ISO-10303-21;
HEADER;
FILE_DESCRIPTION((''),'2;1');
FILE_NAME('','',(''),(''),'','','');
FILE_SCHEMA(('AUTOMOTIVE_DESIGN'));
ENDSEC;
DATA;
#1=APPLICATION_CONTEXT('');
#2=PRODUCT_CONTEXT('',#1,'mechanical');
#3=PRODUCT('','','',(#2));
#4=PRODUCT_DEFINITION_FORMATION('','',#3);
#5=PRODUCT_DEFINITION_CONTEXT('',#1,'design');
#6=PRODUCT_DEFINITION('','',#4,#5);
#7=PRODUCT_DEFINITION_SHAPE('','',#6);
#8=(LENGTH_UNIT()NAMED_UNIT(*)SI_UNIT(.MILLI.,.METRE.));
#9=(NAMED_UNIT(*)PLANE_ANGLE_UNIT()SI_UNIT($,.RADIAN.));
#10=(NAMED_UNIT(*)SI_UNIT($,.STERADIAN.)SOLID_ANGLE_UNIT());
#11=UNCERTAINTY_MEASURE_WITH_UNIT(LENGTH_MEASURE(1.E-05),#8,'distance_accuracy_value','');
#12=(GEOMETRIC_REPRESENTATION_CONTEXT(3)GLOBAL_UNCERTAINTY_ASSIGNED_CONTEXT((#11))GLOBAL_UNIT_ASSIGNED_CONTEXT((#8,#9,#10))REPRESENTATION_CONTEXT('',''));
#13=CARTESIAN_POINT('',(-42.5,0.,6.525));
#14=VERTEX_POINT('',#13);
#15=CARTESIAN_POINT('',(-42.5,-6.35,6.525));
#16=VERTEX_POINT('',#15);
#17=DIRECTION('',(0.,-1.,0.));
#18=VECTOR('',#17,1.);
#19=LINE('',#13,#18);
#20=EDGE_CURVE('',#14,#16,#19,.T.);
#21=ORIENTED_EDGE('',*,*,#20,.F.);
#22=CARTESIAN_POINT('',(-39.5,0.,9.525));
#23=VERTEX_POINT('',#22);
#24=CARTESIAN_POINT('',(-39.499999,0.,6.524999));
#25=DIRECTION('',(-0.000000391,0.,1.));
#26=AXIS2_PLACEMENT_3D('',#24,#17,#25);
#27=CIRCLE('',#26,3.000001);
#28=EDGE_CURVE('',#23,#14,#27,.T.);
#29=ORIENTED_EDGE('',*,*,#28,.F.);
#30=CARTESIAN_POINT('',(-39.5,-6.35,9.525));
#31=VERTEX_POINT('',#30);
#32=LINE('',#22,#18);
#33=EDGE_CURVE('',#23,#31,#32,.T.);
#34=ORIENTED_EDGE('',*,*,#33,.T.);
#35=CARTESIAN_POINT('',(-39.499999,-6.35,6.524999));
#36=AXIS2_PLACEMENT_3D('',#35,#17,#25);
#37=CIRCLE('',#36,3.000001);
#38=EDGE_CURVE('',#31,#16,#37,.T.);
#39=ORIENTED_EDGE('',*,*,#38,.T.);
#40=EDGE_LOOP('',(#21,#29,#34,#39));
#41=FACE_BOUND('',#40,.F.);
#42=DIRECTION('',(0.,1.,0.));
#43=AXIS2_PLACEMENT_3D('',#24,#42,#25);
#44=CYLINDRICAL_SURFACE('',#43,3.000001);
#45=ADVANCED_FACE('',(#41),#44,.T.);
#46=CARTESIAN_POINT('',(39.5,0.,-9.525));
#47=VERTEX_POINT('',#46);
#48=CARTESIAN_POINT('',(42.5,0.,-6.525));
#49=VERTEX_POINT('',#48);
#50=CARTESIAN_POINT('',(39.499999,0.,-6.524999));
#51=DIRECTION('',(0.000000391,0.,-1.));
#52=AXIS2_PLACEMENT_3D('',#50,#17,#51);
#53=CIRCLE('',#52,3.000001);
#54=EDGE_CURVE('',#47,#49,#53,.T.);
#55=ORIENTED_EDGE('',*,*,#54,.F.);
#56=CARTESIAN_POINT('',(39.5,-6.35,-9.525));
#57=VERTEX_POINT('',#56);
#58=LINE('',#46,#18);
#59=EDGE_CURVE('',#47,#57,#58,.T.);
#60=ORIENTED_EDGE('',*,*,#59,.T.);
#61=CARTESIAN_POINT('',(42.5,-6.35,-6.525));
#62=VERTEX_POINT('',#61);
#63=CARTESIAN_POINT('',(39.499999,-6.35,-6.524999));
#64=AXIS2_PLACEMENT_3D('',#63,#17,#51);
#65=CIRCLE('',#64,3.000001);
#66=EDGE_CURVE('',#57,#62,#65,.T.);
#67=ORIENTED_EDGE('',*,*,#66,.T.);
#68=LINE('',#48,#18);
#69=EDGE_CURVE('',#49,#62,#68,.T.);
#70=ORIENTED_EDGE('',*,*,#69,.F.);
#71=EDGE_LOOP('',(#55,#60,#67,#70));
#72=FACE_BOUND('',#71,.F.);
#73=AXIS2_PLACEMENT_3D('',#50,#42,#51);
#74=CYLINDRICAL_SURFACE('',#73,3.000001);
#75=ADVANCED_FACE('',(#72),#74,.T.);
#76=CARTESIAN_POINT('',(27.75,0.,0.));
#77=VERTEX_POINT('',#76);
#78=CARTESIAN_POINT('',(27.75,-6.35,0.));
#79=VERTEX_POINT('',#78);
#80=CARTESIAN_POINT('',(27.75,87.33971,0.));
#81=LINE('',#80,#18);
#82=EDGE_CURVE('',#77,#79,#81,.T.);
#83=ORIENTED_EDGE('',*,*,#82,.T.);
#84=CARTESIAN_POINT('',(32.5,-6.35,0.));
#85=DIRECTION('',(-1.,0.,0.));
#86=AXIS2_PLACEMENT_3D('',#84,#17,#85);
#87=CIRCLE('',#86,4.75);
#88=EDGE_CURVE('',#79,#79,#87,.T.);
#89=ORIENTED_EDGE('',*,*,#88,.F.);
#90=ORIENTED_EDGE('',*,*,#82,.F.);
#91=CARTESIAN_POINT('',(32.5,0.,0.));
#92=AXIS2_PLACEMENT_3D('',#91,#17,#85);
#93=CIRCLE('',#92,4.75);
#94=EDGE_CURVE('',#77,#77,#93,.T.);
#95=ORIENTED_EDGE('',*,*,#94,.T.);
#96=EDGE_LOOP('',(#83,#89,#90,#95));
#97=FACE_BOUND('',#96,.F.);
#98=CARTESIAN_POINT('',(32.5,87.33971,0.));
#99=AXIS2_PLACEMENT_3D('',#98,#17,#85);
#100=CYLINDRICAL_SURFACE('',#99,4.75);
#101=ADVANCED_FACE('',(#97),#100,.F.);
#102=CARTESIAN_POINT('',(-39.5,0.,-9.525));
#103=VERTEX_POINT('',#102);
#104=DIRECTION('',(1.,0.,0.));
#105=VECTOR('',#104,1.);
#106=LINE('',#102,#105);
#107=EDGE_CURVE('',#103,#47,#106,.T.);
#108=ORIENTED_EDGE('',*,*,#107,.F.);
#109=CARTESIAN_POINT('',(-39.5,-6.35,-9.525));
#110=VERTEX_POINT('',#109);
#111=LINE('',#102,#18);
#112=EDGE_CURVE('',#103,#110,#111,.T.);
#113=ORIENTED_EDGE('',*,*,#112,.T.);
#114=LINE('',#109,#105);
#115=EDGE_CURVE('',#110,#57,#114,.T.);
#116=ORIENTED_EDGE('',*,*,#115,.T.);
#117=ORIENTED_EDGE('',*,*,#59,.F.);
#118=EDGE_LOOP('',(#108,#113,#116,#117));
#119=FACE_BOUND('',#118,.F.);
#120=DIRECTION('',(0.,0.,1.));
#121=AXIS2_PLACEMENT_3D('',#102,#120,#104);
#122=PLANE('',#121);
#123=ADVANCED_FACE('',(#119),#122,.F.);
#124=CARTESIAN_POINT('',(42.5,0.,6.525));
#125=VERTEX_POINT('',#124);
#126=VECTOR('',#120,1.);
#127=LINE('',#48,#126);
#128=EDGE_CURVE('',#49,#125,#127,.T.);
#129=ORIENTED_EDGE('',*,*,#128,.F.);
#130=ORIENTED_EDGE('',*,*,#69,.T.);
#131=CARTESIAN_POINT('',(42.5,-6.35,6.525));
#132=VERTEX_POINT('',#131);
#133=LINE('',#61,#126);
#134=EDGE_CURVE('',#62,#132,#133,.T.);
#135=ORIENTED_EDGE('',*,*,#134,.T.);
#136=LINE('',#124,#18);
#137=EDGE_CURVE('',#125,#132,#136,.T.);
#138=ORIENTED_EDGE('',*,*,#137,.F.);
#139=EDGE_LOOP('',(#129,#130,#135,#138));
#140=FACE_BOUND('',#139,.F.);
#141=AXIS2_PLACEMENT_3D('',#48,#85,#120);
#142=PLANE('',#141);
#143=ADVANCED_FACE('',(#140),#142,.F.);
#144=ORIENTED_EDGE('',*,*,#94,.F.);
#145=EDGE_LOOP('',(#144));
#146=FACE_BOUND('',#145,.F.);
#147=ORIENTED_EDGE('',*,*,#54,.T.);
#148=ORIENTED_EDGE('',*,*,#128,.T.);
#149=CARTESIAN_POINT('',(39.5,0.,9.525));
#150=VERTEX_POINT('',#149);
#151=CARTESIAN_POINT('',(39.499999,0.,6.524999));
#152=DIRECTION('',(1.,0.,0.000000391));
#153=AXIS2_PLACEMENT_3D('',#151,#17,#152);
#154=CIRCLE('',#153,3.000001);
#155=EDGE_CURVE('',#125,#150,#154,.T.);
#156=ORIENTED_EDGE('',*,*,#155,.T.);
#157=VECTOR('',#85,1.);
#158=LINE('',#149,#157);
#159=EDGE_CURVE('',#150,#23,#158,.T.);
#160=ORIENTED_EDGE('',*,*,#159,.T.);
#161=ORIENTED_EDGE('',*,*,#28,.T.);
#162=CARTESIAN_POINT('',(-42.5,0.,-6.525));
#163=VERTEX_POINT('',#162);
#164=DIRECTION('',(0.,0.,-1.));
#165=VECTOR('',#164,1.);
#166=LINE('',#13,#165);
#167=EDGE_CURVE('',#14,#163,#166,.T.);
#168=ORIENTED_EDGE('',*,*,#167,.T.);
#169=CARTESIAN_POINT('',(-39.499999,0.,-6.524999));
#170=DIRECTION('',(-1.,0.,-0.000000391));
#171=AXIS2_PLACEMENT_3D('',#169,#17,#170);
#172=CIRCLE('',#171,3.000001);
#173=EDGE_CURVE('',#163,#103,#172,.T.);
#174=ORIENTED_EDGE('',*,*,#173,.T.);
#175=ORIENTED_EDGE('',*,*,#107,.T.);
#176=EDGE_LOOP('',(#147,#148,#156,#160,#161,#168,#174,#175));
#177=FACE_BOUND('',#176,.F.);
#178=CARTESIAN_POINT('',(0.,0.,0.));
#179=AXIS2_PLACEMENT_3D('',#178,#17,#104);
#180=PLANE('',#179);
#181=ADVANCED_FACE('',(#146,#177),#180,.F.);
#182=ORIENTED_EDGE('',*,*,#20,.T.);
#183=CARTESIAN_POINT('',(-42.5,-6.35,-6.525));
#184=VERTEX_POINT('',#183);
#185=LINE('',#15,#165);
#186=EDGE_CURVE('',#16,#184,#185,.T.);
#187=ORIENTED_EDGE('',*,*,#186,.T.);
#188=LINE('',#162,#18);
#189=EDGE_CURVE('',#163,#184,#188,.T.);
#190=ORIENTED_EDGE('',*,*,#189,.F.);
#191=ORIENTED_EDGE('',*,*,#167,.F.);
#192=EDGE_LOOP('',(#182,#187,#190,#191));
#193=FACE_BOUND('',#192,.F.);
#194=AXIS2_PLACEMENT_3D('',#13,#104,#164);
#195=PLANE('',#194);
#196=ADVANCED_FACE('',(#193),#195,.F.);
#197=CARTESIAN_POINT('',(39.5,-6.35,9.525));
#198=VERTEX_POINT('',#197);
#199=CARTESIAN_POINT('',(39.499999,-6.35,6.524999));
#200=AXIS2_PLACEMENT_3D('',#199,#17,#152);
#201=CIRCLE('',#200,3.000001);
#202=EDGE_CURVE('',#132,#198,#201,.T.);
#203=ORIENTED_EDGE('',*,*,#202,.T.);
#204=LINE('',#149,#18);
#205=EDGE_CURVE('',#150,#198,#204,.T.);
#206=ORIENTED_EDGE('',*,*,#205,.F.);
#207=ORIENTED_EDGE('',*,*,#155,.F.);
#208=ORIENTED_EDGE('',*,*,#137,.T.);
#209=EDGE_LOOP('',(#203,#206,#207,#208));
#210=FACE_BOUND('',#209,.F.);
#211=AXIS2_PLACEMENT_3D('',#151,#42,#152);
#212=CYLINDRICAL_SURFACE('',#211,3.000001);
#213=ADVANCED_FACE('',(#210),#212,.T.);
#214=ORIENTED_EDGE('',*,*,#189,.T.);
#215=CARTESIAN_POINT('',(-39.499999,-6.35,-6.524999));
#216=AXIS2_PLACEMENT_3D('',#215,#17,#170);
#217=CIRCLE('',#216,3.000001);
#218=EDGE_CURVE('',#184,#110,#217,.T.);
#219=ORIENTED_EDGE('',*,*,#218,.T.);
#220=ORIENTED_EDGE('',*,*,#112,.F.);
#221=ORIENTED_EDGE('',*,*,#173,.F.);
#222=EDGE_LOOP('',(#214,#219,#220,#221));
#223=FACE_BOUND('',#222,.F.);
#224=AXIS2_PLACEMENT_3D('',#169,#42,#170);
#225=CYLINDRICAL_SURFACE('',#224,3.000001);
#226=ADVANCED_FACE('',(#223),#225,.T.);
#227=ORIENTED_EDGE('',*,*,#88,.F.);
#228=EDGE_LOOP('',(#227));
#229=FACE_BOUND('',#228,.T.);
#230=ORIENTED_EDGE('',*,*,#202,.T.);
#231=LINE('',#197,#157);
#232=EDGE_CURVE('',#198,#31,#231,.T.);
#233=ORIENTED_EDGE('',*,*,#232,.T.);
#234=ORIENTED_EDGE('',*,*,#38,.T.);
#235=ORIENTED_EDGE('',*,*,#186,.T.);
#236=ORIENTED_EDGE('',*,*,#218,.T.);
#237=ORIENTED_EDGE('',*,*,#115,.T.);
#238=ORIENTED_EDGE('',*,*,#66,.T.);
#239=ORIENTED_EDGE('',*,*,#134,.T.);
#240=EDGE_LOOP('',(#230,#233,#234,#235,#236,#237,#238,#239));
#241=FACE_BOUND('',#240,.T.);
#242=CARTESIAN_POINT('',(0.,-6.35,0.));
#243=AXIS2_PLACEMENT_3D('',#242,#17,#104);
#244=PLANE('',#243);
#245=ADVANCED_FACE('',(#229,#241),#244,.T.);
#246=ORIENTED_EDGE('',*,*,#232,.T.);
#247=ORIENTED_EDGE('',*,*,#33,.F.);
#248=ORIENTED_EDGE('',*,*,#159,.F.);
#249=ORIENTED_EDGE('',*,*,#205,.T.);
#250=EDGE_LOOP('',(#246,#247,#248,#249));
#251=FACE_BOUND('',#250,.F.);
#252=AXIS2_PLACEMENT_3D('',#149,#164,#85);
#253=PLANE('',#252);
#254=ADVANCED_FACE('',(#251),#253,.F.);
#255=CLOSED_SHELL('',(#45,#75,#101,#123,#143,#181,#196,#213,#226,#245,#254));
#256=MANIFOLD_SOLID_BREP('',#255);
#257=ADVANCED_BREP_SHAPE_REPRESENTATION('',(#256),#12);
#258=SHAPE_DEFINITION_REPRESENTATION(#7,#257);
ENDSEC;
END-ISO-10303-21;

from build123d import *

# Parameters (mm, degrees)
F2_DEPTH = 6.35
F3_D     = 9.5


with BuildPart() as f2:
    # F0 (on Front) → F2 (new body)
    with BuildSketch(Plane.XZ):
        with BuildLine():
            Line((39.5, 9.525), (-39.5, 9.525))
            ThreePointArc((-39.5, 9.525), (-41.62132, 8.64632), (-42.5, 6.525))
            Line((-42.5, 6.525), (-42.5, -6.525))
            ThreePointArc((-42.5, -6.525), (-41.62132, -8.64632), (-39.5, -9.525))
            Line((-39.5, -9.525), (39.5, -9.525))
            ThreePointArc((39.5, -9.525), (41.62132, -8.64632), (42.5, -6.525))
            Line((42.5, -6.525), (42.5, 6.525))
            ThreePointArc((42.5, 6.525), (41.62132, 8.64632), (39.5, 9.525))
        make_face()
    extrude(amount=F2_DEPTH)

    # F3 (through all)
    with Locations(Plane(origin=(0, 0, 0), x_dir=(1, 0, 0), z_dir=(0, 1, 0))):
        with Locations((32.5, 0)):
            Hole(F3_D / 2)


solid = f2.part
